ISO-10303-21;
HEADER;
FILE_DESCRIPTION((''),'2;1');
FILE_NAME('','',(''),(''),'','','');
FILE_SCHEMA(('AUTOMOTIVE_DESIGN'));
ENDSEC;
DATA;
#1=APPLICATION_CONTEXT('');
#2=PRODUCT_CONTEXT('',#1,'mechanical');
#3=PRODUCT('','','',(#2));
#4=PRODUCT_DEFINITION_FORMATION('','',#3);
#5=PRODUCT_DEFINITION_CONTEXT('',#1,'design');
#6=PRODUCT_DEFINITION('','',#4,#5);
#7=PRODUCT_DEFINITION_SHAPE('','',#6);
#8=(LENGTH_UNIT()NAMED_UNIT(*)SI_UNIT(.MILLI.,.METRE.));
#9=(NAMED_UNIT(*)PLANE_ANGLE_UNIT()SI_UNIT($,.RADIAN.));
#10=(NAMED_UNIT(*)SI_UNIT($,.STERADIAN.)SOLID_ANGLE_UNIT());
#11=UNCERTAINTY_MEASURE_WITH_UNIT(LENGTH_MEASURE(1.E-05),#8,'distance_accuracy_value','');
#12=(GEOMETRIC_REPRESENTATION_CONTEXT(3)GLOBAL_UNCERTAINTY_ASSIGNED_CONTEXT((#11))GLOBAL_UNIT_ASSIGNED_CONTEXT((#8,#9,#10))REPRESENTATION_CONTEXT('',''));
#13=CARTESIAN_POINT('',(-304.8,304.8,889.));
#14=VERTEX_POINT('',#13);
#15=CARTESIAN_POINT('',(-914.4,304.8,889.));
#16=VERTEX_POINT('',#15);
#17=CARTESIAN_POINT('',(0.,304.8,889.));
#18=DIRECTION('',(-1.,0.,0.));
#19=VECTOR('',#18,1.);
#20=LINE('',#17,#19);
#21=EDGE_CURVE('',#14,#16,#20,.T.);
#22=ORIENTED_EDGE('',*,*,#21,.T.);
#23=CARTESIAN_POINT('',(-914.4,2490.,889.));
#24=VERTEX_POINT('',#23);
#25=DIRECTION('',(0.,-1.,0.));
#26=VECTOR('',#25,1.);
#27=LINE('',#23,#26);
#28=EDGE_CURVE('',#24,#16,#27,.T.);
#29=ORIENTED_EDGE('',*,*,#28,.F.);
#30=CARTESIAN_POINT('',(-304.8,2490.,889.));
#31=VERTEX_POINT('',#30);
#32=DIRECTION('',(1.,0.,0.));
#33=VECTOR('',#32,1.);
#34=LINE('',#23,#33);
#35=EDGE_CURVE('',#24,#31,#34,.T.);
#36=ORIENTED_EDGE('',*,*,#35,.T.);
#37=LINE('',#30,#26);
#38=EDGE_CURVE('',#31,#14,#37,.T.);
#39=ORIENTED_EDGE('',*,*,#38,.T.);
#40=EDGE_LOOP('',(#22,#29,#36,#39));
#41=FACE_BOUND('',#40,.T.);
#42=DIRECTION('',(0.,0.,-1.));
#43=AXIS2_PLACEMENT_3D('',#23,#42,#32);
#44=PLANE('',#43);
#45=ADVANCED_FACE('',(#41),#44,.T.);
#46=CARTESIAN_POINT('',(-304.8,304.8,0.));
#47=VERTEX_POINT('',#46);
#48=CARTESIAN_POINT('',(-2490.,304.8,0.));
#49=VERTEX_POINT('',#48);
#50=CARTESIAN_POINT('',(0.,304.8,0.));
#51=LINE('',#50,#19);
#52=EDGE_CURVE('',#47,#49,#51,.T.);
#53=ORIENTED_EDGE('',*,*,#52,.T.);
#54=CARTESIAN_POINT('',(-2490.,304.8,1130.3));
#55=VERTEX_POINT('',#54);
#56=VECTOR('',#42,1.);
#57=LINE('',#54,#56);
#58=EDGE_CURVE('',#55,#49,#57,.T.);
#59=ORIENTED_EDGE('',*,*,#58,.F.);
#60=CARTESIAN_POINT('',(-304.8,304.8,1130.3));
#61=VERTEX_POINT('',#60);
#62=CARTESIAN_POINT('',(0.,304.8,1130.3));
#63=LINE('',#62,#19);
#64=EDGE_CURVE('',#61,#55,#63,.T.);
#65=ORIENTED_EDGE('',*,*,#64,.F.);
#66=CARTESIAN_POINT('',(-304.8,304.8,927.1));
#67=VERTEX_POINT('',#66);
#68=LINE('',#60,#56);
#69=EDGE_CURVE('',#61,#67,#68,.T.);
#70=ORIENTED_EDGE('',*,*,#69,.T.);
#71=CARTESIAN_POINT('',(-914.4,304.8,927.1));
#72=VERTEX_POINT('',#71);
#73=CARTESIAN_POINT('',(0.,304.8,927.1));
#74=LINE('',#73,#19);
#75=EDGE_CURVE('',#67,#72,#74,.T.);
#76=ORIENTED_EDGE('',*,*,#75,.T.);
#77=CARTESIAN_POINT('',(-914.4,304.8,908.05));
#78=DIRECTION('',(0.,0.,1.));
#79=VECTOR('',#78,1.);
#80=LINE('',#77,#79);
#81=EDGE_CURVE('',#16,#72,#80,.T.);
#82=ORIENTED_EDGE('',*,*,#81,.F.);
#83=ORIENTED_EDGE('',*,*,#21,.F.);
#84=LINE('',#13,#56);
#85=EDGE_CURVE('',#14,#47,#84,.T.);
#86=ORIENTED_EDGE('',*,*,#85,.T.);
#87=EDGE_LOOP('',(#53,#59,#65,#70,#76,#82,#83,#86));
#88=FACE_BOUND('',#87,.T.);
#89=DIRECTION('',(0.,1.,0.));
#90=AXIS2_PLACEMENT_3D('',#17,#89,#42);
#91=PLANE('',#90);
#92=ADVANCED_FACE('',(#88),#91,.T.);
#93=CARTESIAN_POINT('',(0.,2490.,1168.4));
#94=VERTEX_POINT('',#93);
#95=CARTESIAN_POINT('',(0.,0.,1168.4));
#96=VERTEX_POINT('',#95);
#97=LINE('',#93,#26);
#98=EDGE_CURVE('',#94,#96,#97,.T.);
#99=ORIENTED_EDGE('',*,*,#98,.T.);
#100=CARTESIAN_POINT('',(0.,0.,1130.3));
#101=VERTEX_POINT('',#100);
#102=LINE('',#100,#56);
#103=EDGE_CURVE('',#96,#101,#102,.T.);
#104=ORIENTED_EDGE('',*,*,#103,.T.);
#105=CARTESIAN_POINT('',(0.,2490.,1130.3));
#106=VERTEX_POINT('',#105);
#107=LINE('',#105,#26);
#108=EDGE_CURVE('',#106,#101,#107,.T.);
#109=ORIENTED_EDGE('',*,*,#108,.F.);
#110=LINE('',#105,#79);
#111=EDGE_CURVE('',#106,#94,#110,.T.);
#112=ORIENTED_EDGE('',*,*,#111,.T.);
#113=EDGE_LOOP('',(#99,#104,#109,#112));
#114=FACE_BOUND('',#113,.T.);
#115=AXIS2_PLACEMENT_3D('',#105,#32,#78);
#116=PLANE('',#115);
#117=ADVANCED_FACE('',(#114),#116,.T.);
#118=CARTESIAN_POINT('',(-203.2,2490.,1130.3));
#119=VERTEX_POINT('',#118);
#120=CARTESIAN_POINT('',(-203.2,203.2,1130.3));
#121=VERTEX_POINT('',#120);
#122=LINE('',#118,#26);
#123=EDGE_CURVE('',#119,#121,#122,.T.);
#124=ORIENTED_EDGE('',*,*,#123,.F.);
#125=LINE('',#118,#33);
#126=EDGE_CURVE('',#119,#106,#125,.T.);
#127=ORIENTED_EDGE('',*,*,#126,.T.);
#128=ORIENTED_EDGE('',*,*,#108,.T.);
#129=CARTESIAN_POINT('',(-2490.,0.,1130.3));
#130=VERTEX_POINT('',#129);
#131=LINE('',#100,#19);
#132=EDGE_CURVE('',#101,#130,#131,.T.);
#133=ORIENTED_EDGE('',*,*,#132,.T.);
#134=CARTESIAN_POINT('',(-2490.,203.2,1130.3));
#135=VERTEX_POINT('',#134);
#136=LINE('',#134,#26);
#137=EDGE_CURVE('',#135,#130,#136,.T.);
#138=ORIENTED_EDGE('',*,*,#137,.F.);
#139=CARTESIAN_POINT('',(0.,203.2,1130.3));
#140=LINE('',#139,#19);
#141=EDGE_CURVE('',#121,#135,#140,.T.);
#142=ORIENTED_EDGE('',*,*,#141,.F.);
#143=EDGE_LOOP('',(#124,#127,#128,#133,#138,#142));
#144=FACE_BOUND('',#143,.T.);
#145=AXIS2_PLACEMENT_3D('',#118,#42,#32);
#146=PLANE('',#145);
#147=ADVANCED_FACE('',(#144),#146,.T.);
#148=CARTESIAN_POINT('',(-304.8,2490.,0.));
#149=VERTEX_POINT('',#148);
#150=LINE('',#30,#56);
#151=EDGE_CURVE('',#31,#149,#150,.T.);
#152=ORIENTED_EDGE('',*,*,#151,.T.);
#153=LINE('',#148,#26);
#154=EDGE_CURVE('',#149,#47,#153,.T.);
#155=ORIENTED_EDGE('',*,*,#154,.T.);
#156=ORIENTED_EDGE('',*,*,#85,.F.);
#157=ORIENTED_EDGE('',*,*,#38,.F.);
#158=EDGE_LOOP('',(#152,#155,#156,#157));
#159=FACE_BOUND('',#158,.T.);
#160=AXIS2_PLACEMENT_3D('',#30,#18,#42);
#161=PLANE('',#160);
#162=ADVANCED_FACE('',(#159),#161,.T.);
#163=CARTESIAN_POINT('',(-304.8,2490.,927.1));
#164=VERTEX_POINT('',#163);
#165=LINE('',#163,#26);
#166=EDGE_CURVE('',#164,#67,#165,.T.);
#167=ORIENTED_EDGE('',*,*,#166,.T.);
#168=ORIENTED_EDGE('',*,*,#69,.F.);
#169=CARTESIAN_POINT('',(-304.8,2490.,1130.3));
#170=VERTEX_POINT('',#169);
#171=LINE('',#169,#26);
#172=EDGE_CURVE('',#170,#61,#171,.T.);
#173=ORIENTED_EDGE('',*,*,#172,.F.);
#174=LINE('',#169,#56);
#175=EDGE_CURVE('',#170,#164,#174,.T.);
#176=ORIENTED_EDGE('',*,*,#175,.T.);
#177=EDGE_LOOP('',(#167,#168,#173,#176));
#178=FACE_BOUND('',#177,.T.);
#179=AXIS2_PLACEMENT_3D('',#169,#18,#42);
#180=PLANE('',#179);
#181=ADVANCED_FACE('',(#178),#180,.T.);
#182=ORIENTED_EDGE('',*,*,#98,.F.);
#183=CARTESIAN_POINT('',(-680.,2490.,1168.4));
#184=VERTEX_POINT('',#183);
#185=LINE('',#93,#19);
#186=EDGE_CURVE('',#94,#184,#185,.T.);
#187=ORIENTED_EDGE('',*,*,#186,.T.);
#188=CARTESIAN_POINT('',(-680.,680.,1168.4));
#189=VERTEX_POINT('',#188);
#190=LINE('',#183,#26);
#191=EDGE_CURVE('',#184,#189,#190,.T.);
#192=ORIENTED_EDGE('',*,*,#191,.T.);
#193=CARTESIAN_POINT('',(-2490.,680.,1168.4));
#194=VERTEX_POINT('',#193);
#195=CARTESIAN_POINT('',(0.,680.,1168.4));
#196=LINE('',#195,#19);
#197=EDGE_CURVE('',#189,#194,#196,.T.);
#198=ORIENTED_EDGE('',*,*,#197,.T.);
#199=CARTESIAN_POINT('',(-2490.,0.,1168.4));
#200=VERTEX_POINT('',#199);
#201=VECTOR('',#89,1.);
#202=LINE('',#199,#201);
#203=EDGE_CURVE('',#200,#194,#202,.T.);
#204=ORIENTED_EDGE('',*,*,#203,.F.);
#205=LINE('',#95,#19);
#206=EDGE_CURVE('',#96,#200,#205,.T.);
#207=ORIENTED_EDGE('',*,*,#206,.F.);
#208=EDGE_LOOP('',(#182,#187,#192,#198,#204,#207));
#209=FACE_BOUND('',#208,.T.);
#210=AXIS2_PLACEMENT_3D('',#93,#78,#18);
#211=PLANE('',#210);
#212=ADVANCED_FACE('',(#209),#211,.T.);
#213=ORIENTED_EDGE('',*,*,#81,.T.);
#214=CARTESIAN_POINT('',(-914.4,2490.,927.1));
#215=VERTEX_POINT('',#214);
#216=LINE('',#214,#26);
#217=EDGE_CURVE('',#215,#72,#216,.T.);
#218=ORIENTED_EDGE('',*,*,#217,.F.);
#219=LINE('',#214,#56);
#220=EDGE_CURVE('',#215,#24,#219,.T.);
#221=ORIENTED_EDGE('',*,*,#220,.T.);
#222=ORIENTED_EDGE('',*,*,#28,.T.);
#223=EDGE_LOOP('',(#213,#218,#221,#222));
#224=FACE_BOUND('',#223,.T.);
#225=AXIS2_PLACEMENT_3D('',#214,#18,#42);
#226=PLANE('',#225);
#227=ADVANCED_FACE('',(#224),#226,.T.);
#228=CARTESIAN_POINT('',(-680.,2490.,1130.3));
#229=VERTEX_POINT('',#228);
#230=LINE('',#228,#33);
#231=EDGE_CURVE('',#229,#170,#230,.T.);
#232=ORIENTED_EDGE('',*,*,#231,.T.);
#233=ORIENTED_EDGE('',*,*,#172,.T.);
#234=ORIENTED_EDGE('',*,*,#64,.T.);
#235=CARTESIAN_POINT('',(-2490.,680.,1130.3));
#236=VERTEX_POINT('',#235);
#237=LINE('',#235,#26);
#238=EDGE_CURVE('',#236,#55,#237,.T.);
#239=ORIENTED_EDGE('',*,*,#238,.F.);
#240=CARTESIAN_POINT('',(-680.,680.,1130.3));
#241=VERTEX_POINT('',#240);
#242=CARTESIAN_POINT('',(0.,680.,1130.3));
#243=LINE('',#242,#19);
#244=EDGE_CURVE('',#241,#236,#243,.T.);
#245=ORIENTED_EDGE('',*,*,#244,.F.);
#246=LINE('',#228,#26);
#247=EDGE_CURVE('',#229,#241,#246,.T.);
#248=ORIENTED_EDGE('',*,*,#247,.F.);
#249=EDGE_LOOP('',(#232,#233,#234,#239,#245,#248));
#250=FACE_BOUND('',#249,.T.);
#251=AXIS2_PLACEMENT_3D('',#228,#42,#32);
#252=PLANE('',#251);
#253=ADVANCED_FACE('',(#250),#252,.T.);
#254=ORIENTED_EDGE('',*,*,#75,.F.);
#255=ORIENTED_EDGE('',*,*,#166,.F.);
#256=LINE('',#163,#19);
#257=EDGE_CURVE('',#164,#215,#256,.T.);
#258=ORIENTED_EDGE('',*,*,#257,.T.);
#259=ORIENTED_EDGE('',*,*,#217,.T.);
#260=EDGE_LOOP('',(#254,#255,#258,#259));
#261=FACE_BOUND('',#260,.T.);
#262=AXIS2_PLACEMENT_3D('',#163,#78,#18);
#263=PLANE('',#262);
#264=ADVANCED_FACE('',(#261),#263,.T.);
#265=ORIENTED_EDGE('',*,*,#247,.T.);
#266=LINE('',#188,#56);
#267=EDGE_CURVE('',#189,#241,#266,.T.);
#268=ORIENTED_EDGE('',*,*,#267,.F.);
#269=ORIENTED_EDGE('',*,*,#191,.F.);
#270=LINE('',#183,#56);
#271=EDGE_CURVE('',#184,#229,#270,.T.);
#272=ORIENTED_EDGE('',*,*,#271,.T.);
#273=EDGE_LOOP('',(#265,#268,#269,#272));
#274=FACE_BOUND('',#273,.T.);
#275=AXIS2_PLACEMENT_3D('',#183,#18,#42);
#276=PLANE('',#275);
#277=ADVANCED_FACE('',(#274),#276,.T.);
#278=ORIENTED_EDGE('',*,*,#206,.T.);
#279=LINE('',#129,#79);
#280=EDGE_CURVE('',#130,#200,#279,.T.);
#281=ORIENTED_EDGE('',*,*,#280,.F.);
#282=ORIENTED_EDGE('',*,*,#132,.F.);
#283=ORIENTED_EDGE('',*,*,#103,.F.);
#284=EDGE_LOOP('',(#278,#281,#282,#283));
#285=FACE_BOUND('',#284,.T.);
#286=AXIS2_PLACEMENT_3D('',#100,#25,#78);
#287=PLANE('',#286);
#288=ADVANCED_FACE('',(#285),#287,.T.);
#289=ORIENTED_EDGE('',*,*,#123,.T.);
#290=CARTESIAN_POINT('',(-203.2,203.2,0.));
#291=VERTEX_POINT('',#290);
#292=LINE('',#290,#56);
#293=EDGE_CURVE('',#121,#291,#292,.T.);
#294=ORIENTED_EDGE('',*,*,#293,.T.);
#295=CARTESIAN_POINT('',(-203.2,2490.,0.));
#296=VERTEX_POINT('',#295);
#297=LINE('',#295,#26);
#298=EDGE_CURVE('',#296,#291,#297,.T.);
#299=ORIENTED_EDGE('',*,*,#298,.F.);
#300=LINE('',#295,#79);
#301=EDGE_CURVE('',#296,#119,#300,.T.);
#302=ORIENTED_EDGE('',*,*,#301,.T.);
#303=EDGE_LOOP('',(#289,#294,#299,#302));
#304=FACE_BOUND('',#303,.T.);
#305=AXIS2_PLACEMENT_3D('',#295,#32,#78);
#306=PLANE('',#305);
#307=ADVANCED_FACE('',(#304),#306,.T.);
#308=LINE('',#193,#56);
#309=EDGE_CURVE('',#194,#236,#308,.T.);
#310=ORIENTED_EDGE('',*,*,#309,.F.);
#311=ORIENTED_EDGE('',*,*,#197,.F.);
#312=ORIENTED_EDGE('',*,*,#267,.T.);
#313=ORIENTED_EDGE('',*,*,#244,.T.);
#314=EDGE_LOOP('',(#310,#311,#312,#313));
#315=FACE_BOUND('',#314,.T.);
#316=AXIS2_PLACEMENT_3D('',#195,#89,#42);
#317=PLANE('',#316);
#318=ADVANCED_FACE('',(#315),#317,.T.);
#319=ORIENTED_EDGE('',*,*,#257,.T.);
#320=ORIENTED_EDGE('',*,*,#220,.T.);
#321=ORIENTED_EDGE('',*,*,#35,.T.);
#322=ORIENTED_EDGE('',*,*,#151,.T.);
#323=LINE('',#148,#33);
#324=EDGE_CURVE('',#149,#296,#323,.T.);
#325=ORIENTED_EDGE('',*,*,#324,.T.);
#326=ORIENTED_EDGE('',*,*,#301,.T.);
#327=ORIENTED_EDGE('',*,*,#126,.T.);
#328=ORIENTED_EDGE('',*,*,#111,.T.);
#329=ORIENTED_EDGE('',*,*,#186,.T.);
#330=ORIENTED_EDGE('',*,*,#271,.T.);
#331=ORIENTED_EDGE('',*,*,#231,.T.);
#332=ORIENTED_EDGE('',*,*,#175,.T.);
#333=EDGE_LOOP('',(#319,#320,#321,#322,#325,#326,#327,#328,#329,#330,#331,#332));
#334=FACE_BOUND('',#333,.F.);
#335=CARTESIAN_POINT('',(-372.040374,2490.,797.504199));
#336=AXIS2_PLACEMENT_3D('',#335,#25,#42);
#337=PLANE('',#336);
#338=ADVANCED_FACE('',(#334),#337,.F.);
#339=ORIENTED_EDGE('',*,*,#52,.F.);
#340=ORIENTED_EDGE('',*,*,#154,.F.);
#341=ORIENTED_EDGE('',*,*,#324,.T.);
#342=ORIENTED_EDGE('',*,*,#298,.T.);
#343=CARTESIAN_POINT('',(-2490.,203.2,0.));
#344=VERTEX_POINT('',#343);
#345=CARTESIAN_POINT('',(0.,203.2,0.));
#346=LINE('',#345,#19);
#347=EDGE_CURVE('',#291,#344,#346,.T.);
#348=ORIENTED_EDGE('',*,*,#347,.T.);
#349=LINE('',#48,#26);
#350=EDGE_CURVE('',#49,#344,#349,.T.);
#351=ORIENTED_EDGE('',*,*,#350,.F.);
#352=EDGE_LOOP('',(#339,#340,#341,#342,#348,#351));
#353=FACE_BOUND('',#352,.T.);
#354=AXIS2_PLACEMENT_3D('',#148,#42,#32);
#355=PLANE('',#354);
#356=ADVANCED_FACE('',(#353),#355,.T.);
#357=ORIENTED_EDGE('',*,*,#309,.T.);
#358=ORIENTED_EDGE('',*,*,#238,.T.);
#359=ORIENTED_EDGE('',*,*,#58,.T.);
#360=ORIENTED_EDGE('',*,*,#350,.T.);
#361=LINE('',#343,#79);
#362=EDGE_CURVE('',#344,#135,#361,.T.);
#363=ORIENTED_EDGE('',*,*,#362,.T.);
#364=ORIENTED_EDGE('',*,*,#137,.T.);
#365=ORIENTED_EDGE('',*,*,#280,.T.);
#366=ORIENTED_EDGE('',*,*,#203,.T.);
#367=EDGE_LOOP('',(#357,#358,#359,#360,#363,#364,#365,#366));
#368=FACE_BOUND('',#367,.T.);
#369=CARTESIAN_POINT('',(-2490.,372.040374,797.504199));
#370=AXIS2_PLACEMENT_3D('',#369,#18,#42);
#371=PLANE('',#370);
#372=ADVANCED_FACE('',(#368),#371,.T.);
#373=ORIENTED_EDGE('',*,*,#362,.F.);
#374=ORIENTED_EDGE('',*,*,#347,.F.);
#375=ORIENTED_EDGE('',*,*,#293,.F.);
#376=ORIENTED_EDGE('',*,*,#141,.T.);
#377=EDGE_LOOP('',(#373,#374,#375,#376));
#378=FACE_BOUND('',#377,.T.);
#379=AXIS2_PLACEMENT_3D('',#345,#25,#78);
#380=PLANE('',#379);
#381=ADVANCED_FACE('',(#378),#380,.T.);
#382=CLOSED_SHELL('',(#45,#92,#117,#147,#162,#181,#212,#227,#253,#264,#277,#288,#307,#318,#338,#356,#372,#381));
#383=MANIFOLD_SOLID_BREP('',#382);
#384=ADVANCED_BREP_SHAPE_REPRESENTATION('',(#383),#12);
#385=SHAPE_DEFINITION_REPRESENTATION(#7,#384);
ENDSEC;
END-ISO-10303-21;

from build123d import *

# Parameters (mm, degrees)
F4_W     = 1575.6
F4_H     = 38.1
F5_DEPTH = 609.6


with BuildPart() as f3:
    # F3: sweep along a path in F0
    with BuildLine(Plane.XY) as f3_path:
        Line((0, 2490), (0, 0))
        Line((0, 0), (-2490, 0))
    # F2 (on line) → F3 (sweep)
    with BuildSketch(Plane.XZ.offset(-2490)):
        Polygon((-203.2, 0), (-203.2, 1130.3), (0, 1130.3), (0, 1168.4), (-680, 1168.4), (-680, 1130.3), (-304.8, 1130.3), (-304.8, 927.1), (-914.4, 927.1), (-914.4, 889), (-304.8, 889), (-304.8, 0), align=None)
    sweep(path=f3_path.line, transition=Transition.RIGHT)

    # F4 (on face) → F5 (cut, through all)
    with BuildSketch(Plane(origin=(0, 914.4, 0), x_dir=(-1, 0, 0), z_dir=(0, 1, 0))):
        with Locations((1702.2, 908.05)):
            Rectangle(F4_W, F4_H)
    extrude(amount=-F5_DEPTH, mode=Mode.SUBTRACT)


solid = f3.part
